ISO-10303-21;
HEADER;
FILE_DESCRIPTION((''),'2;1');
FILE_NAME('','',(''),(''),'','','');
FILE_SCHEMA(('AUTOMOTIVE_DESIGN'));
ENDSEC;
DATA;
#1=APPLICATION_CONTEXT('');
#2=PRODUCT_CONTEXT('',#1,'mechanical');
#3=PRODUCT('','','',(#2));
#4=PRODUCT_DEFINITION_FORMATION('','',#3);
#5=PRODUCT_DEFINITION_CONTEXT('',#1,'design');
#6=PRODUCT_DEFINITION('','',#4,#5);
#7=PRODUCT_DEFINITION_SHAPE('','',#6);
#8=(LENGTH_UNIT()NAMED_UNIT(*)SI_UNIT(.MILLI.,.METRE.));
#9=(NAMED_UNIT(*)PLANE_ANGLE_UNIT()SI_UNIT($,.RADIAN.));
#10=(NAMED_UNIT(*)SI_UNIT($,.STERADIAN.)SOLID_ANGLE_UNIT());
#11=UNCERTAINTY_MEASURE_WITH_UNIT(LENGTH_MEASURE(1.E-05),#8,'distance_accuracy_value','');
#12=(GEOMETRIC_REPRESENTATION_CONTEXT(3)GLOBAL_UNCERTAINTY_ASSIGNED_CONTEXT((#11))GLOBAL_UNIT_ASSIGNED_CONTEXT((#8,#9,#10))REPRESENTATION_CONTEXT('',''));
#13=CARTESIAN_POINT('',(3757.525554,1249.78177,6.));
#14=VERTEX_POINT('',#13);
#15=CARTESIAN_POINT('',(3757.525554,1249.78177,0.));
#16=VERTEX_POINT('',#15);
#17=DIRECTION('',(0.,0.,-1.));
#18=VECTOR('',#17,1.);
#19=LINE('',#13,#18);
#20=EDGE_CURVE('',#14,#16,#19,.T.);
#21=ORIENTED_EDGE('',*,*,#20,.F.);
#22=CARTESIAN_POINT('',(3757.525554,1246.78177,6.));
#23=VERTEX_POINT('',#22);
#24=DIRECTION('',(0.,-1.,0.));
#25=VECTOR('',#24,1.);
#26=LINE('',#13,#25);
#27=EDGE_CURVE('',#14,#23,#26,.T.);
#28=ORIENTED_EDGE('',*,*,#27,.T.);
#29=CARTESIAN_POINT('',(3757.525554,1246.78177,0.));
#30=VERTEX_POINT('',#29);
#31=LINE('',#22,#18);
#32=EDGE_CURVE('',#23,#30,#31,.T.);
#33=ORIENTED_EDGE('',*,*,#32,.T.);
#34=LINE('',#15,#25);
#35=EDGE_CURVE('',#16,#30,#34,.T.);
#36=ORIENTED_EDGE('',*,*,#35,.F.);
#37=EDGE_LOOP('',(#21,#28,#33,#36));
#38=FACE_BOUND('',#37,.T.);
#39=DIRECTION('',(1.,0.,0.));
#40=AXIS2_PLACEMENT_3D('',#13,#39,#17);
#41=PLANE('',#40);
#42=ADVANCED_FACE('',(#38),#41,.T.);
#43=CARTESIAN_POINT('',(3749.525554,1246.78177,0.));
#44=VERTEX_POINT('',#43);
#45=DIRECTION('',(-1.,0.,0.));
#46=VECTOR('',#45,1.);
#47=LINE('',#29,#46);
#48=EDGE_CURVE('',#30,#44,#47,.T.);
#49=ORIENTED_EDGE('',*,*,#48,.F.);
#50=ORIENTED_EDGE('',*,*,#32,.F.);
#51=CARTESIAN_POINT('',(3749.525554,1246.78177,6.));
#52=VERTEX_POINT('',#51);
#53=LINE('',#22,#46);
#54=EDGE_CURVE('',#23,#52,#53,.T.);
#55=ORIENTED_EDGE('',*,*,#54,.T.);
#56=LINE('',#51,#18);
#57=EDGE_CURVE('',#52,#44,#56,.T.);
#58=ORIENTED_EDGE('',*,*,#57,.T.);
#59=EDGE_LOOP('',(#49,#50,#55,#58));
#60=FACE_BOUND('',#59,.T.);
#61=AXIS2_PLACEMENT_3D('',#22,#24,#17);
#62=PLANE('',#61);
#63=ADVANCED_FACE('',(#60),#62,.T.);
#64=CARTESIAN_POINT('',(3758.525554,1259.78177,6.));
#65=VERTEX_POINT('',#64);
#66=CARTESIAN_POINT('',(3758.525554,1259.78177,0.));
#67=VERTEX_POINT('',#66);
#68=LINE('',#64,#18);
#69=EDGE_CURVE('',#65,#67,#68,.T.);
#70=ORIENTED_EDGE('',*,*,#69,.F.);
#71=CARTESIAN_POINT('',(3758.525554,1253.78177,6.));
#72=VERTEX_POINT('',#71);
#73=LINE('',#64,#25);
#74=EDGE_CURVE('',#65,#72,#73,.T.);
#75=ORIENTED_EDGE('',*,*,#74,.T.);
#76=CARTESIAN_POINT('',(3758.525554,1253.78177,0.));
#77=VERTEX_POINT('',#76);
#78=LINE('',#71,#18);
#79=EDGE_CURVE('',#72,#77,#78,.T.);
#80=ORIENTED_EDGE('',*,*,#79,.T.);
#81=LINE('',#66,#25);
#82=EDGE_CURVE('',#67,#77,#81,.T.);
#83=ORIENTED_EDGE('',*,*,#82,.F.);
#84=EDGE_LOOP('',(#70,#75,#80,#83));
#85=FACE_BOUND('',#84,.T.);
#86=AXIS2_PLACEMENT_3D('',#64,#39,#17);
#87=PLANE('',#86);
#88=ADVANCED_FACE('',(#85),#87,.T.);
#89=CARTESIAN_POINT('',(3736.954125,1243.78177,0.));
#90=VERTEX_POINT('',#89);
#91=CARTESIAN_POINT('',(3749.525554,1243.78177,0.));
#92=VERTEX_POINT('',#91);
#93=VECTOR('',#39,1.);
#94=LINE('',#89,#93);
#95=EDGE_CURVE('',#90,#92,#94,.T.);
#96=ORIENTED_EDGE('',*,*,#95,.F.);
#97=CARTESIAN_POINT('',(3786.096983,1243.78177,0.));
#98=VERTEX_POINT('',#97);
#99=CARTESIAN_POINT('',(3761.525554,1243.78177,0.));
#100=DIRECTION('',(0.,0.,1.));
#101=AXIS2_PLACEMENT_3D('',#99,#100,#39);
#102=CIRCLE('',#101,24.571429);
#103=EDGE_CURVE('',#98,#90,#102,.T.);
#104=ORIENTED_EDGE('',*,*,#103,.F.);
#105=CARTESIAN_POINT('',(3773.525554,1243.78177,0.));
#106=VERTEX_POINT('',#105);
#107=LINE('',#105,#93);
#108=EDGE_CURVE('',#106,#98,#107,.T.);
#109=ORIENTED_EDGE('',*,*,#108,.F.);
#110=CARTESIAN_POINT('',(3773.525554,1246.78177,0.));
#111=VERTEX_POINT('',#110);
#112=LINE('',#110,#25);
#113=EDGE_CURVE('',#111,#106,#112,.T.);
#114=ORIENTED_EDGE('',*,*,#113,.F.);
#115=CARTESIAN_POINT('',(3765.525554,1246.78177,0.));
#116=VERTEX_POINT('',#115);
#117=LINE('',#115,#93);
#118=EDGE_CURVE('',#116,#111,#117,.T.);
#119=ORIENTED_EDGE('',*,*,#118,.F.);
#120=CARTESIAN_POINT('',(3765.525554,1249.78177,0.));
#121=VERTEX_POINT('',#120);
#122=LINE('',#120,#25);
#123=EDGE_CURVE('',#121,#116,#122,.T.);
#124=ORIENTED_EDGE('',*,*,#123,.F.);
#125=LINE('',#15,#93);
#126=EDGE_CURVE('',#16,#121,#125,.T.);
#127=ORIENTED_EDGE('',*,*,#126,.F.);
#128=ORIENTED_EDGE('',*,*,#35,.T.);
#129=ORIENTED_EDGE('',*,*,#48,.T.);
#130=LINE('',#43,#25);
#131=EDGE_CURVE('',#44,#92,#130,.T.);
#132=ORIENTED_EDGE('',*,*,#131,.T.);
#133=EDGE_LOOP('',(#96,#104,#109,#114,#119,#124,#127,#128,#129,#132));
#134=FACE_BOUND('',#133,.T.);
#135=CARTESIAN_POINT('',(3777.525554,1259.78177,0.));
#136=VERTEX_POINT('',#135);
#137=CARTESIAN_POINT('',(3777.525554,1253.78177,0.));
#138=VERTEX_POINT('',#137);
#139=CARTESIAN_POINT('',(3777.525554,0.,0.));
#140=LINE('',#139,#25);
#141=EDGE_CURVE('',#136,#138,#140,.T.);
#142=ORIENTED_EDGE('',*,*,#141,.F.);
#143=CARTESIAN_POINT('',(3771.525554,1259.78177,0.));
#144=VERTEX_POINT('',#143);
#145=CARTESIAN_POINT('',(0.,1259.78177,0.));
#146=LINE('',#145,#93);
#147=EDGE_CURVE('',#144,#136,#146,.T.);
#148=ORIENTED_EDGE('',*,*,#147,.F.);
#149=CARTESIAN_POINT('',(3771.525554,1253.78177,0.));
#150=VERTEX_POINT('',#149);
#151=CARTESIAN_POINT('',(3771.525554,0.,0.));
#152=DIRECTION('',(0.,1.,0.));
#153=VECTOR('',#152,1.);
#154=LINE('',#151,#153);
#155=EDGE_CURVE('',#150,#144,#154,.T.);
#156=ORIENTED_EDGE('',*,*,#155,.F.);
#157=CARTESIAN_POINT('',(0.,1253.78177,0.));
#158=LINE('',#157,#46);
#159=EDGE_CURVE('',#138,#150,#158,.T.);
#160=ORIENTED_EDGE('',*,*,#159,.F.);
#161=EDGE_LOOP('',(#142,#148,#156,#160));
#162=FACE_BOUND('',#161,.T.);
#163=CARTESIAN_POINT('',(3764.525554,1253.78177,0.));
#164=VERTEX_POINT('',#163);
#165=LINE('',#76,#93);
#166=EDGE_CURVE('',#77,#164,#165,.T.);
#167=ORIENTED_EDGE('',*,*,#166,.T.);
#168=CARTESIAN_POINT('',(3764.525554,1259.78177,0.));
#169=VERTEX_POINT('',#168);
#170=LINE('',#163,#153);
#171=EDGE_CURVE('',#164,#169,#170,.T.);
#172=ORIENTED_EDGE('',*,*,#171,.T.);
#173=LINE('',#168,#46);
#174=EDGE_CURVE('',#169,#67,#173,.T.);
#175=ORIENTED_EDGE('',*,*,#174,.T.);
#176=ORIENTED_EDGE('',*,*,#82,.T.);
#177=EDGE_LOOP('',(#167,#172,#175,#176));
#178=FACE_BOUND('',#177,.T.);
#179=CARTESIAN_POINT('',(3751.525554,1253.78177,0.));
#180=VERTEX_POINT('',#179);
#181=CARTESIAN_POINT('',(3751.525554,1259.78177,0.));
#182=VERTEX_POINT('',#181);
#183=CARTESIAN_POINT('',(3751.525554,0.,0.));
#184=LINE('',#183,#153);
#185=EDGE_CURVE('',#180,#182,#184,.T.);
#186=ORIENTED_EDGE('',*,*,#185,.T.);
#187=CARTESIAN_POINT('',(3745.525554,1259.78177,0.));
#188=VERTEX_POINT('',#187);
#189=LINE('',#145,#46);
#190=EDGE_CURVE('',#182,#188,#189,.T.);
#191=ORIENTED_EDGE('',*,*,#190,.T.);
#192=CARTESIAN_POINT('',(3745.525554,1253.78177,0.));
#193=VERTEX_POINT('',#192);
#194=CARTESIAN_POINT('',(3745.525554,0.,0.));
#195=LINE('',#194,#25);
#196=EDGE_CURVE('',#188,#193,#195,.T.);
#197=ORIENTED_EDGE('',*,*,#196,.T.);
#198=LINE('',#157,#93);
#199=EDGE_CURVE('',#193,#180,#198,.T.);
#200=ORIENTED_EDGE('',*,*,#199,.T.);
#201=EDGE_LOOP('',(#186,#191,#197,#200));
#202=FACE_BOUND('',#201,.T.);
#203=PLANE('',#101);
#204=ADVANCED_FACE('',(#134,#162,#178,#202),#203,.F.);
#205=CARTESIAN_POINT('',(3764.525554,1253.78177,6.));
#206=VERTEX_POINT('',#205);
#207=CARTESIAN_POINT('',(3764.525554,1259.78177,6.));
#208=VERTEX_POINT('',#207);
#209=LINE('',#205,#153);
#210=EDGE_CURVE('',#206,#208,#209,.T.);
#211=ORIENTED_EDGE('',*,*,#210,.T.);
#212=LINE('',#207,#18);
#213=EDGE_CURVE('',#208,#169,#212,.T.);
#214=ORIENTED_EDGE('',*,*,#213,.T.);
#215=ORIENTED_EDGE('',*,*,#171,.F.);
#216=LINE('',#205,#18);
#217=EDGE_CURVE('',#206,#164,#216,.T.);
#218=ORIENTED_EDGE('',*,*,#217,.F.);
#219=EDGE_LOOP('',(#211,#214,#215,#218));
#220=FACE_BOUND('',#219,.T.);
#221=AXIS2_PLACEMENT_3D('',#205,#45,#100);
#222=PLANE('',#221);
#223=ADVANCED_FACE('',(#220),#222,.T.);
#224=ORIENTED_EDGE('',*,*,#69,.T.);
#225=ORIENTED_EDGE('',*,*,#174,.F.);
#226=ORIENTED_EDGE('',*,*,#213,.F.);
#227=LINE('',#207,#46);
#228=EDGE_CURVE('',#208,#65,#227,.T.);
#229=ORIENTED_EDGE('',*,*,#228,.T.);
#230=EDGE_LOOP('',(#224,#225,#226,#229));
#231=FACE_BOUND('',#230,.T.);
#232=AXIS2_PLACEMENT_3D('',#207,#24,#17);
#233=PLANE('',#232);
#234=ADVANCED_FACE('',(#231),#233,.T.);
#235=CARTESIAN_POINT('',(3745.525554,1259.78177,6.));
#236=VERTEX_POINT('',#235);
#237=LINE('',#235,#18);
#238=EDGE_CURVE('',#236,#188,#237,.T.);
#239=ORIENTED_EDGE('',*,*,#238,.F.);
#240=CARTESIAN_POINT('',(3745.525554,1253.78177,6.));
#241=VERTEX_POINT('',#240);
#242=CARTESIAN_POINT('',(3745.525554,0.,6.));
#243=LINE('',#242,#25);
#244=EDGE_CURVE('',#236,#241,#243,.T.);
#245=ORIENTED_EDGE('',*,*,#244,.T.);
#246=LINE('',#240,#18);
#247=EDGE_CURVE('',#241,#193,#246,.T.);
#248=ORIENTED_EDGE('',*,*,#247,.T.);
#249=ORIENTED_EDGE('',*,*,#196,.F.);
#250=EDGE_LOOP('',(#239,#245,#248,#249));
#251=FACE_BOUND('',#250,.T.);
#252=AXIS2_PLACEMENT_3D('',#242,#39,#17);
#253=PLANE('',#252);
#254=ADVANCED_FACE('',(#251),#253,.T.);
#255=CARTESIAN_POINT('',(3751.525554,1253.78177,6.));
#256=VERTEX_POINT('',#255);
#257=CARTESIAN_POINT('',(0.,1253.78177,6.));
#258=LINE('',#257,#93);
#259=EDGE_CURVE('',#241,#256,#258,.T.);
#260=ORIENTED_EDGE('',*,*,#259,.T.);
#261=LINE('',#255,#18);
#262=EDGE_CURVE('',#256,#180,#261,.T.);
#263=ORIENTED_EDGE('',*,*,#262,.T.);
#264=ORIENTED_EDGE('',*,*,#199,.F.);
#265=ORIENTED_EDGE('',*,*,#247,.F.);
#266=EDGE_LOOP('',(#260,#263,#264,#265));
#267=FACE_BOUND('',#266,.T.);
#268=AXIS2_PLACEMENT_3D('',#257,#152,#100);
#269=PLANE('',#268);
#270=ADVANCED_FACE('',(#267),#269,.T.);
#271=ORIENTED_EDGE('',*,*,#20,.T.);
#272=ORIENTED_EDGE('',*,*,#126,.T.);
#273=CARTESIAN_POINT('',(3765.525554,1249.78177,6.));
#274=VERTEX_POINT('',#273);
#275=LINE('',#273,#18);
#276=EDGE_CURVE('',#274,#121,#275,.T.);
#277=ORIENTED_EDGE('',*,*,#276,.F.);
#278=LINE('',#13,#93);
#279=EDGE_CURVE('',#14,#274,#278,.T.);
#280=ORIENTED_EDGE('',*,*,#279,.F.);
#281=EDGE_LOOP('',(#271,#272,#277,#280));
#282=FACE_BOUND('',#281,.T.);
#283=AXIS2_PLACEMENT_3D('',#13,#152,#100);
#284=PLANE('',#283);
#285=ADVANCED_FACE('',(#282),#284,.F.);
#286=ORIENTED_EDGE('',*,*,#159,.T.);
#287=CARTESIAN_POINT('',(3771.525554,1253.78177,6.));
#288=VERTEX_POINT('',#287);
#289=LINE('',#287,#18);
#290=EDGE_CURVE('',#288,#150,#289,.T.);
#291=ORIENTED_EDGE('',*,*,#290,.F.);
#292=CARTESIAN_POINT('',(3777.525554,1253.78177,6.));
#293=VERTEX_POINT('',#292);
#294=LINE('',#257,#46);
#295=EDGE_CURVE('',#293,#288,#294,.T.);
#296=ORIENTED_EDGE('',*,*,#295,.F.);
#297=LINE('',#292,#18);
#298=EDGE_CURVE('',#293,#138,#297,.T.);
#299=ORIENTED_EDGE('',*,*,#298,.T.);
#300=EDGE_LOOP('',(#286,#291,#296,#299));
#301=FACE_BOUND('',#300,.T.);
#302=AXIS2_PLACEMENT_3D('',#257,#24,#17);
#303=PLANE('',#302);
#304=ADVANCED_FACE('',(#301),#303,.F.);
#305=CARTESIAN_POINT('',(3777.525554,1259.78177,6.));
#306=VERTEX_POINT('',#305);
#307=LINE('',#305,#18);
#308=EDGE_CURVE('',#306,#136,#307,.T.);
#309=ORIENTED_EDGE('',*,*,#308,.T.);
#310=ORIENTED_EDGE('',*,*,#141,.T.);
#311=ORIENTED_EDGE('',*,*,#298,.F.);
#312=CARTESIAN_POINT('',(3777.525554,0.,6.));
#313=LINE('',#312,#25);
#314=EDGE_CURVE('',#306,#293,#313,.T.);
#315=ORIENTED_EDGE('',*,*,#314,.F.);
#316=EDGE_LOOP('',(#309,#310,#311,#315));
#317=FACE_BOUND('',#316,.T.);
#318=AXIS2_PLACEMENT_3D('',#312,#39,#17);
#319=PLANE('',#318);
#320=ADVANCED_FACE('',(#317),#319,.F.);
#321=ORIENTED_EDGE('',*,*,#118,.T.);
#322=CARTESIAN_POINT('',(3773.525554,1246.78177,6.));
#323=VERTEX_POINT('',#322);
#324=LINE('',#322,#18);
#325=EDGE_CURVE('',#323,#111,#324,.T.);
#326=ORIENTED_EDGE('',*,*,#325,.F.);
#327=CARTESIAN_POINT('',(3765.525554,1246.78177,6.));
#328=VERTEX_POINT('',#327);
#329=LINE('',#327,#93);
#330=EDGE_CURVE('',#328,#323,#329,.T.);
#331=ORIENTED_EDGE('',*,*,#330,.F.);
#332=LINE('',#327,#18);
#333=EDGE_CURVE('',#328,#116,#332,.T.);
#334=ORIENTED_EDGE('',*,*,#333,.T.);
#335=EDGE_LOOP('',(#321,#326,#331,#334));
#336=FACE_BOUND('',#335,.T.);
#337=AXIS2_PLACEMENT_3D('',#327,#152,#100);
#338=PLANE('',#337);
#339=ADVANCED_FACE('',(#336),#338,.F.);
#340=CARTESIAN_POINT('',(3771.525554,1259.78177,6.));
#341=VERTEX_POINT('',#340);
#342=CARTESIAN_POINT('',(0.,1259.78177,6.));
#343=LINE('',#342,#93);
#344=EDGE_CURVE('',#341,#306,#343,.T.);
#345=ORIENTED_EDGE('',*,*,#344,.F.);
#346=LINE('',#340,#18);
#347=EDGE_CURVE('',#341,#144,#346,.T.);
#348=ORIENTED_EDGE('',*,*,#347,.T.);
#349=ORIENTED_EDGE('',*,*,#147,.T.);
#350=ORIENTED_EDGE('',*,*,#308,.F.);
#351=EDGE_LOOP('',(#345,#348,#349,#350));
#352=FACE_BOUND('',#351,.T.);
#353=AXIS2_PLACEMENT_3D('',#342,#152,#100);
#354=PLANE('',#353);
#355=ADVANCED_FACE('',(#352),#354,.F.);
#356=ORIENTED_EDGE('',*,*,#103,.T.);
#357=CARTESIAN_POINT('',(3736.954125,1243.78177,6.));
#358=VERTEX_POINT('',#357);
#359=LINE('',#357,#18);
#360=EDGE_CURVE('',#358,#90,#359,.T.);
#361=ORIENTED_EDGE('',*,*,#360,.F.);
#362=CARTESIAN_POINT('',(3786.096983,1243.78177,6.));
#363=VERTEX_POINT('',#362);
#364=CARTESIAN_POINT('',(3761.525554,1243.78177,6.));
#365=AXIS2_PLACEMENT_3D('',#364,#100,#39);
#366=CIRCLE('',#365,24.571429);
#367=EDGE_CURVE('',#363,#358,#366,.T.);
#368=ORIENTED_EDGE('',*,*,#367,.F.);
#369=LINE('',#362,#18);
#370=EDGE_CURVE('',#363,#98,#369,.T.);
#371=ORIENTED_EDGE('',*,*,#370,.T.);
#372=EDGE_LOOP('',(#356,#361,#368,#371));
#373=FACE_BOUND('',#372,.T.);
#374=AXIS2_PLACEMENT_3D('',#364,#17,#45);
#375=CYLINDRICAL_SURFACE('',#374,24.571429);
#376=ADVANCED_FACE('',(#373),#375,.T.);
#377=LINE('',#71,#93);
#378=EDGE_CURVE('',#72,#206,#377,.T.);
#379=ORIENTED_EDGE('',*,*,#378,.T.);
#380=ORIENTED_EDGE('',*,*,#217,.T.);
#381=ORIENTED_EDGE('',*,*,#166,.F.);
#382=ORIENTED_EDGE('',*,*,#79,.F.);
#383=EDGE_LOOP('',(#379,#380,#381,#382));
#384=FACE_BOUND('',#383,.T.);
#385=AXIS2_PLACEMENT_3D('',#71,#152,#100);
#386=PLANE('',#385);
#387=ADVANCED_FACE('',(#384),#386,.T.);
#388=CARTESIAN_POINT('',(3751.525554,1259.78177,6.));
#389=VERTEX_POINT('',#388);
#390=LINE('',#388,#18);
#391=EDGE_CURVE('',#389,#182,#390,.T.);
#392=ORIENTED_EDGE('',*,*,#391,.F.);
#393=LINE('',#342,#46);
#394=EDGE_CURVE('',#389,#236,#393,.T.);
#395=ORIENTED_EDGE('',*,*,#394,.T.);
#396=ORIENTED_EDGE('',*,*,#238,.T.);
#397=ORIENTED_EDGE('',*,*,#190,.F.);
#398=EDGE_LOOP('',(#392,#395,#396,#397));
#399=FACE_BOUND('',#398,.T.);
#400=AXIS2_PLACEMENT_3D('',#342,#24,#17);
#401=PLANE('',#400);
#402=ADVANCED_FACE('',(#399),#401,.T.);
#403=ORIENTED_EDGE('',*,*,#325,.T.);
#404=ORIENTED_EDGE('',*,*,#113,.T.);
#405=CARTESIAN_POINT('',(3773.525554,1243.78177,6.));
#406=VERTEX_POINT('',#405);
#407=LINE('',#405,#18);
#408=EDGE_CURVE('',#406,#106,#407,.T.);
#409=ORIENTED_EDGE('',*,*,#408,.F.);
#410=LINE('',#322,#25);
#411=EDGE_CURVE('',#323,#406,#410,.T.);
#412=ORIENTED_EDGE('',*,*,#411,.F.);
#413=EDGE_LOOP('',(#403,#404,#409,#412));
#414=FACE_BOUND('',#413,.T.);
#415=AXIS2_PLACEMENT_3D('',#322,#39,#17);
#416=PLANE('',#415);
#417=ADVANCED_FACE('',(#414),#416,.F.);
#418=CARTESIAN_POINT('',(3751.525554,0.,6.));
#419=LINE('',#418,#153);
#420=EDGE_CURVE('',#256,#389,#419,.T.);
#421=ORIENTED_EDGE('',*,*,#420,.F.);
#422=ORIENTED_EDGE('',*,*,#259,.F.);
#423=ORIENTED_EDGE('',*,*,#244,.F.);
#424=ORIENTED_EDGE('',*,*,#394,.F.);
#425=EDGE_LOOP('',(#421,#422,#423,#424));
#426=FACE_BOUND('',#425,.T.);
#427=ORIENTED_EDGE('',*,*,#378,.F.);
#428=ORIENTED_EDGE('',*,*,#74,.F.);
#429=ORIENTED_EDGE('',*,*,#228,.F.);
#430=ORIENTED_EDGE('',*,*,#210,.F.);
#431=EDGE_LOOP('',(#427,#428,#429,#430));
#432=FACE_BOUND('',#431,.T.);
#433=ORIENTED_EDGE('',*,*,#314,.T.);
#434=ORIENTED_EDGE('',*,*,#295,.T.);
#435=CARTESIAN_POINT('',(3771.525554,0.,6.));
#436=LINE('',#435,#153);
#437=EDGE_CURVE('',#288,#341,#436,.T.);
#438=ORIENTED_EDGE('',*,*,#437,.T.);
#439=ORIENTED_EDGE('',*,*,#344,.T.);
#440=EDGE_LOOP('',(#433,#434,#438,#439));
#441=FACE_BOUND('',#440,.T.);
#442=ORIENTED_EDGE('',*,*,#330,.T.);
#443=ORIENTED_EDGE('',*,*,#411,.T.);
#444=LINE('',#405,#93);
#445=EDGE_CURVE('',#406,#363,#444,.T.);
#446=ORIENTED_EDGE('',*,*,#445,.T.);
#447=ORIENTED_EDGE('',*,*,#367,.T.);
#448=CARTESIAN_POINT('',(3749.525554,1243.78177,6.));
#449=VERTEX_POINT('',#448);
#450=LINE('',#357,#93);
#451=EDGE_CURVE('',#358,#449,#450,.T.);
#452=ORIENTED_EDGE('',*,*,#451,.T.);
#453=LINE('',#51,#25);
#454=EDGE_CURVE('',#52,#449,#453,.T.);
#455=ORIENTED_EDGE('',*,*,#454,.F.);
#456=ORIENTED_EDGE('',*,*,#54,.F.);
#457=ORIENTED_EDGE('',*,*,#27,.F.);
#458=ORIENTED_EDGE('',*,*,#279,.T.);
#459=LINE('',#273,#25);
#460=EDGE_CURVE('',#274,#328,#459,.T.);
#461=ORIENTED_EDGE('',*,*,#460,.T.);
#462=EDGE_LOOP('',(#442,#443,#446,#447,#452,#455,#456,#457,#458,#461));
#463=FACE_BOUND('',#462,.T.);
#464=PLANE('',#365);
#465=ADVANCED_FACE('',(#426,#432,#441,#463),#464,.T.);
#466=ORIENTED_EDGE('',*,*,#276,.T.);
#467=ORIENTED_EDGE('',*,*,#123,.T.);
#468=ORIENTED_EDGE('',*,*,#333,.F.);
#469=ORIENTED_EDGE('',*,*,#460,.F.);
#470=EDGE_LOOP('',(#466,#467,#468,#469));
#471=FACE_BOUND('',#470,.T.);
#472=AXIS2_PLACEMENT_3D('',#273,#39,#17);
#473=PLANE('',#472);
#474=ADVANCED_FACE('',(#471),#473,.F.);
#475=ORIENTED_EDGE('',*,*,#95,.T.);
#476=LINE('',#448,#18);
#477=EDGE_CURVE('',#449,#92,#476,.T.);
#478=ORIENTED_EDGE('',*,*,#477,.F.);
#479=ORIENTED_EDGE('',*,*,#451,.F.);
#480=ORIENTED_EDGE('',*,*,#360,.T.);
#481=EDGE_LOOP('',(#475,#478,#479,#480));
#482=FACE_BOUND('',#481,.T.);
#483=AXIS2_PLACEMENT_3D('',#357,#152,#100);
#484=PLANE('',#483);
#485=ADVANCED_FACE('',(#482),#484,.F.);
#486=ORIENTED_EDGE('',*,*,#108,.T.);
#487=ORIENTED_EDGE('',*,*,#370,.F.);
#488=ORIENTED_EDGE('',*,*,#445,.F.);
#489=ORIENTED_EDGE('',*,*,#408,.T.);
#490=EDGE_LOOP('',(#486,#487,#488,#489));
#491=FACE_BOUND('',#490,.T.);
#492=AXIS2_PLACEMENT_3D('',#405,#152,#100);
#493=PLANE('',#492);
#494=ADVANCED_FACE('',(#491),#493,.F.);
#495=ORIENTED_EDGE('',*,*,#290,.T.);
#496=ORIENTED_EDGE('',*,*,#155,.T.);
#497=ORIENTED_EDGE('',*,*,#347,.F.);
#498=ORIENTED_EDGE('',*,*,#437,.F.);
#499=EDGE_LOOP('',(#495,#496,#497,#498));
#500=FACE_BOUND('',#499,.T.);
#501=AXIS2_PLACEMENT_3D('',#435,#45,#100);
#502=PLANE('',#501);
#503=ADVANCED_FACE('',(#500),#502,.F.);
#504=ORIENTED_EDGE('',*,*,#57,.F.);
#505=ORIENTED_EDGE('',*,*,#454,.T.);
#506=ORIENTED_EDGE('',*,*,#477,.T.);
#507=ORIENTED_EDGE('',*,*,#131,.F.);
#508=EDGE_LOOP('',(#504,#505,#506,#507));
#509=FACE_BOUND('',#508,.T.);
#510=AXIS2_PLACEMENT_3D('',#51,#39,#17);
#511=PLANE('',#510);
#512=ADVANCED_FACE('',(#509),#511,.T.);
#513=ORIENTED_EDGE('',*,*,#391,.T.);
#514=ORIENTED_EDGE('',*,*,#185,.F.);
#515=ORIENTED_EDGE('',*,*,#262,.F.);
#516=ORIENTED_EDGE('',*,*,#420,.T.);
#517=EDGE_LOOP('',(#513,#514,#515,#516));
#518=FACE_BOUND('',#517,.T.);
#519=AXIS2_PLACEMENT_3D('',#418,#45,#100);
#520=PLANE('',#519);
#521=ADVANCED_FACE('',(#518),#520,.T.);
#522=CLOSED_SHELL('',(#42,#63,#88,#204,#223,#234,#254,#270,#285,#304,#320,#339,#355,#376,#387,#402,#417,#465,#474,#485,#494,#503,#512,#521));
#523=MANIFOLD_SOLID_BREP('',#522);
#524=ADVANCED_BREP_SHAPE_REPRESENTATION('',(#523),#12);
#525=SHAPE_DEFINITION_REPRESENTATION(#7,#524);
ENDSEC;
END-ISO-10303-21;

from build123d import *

# Parameters (mm, degrees)
MODEL_W             = 6
MODEL_H             = 6
BOSS_EXTRUDE1_DEPTH = 6


with BuildPart() as part:
    # Model → Boss-Extrude1 (new body)
    with BuildSketch(Plane.XY):
        with BuildLine():
            Line((3736.95412545, 1243.781770146), (3749.525554021, 1243.781770146))
            Line((3749.525554021, 1243.781770146), (3749.525554021, 1246.781770146))
            Line((3749.525554021, 1246.781770146), (3757.525554021, 1246.781770146))
            Line((3757.525554021, 1246.781770146), (3757.525554021, 1249.781770146))
            Line((3757.525554021, 1249.781770146), (3765.525554021, 1249.781770146))
            Line((3765.525554021, 1249.781770146), (3765.525554021, 1246.781770146))
            Line((3765.525554021, 1246.781770146), (3773.525554021, 1246.781770146))
            Line((3773.525554021, 1246.781770146), (3773.525554021, 1243.781770146))
            Line((3773.525554021, 1243.781770146), (3786.096982592, 1243.781770146))
            ThreePointArc((3786.096982592, 1243.781770146), (3761.525554021, 1268.353198718), (3736.95412545, 1243.781770146))
        make_face()
        with Locations((3774.525554021, 1256.781770147)):
            Rectangle(MODEL_W, MODEL_H, mode=Mode.SUBTRACT)
        with Locations((3748.525554021, 1256.781770147)):
            Rectangle(MODEL_W, MODEL_H, mode=Mode.SUBTRACT)
        with Locations((3761.525554021, 1256.781770147)):
            Rectangle(MODEL_W, MODEL_H, mode=Mode.SUBTRACT)
    extrude(amount=BOSS_EXTRUDE1_DEPTH)


solid = part.part
